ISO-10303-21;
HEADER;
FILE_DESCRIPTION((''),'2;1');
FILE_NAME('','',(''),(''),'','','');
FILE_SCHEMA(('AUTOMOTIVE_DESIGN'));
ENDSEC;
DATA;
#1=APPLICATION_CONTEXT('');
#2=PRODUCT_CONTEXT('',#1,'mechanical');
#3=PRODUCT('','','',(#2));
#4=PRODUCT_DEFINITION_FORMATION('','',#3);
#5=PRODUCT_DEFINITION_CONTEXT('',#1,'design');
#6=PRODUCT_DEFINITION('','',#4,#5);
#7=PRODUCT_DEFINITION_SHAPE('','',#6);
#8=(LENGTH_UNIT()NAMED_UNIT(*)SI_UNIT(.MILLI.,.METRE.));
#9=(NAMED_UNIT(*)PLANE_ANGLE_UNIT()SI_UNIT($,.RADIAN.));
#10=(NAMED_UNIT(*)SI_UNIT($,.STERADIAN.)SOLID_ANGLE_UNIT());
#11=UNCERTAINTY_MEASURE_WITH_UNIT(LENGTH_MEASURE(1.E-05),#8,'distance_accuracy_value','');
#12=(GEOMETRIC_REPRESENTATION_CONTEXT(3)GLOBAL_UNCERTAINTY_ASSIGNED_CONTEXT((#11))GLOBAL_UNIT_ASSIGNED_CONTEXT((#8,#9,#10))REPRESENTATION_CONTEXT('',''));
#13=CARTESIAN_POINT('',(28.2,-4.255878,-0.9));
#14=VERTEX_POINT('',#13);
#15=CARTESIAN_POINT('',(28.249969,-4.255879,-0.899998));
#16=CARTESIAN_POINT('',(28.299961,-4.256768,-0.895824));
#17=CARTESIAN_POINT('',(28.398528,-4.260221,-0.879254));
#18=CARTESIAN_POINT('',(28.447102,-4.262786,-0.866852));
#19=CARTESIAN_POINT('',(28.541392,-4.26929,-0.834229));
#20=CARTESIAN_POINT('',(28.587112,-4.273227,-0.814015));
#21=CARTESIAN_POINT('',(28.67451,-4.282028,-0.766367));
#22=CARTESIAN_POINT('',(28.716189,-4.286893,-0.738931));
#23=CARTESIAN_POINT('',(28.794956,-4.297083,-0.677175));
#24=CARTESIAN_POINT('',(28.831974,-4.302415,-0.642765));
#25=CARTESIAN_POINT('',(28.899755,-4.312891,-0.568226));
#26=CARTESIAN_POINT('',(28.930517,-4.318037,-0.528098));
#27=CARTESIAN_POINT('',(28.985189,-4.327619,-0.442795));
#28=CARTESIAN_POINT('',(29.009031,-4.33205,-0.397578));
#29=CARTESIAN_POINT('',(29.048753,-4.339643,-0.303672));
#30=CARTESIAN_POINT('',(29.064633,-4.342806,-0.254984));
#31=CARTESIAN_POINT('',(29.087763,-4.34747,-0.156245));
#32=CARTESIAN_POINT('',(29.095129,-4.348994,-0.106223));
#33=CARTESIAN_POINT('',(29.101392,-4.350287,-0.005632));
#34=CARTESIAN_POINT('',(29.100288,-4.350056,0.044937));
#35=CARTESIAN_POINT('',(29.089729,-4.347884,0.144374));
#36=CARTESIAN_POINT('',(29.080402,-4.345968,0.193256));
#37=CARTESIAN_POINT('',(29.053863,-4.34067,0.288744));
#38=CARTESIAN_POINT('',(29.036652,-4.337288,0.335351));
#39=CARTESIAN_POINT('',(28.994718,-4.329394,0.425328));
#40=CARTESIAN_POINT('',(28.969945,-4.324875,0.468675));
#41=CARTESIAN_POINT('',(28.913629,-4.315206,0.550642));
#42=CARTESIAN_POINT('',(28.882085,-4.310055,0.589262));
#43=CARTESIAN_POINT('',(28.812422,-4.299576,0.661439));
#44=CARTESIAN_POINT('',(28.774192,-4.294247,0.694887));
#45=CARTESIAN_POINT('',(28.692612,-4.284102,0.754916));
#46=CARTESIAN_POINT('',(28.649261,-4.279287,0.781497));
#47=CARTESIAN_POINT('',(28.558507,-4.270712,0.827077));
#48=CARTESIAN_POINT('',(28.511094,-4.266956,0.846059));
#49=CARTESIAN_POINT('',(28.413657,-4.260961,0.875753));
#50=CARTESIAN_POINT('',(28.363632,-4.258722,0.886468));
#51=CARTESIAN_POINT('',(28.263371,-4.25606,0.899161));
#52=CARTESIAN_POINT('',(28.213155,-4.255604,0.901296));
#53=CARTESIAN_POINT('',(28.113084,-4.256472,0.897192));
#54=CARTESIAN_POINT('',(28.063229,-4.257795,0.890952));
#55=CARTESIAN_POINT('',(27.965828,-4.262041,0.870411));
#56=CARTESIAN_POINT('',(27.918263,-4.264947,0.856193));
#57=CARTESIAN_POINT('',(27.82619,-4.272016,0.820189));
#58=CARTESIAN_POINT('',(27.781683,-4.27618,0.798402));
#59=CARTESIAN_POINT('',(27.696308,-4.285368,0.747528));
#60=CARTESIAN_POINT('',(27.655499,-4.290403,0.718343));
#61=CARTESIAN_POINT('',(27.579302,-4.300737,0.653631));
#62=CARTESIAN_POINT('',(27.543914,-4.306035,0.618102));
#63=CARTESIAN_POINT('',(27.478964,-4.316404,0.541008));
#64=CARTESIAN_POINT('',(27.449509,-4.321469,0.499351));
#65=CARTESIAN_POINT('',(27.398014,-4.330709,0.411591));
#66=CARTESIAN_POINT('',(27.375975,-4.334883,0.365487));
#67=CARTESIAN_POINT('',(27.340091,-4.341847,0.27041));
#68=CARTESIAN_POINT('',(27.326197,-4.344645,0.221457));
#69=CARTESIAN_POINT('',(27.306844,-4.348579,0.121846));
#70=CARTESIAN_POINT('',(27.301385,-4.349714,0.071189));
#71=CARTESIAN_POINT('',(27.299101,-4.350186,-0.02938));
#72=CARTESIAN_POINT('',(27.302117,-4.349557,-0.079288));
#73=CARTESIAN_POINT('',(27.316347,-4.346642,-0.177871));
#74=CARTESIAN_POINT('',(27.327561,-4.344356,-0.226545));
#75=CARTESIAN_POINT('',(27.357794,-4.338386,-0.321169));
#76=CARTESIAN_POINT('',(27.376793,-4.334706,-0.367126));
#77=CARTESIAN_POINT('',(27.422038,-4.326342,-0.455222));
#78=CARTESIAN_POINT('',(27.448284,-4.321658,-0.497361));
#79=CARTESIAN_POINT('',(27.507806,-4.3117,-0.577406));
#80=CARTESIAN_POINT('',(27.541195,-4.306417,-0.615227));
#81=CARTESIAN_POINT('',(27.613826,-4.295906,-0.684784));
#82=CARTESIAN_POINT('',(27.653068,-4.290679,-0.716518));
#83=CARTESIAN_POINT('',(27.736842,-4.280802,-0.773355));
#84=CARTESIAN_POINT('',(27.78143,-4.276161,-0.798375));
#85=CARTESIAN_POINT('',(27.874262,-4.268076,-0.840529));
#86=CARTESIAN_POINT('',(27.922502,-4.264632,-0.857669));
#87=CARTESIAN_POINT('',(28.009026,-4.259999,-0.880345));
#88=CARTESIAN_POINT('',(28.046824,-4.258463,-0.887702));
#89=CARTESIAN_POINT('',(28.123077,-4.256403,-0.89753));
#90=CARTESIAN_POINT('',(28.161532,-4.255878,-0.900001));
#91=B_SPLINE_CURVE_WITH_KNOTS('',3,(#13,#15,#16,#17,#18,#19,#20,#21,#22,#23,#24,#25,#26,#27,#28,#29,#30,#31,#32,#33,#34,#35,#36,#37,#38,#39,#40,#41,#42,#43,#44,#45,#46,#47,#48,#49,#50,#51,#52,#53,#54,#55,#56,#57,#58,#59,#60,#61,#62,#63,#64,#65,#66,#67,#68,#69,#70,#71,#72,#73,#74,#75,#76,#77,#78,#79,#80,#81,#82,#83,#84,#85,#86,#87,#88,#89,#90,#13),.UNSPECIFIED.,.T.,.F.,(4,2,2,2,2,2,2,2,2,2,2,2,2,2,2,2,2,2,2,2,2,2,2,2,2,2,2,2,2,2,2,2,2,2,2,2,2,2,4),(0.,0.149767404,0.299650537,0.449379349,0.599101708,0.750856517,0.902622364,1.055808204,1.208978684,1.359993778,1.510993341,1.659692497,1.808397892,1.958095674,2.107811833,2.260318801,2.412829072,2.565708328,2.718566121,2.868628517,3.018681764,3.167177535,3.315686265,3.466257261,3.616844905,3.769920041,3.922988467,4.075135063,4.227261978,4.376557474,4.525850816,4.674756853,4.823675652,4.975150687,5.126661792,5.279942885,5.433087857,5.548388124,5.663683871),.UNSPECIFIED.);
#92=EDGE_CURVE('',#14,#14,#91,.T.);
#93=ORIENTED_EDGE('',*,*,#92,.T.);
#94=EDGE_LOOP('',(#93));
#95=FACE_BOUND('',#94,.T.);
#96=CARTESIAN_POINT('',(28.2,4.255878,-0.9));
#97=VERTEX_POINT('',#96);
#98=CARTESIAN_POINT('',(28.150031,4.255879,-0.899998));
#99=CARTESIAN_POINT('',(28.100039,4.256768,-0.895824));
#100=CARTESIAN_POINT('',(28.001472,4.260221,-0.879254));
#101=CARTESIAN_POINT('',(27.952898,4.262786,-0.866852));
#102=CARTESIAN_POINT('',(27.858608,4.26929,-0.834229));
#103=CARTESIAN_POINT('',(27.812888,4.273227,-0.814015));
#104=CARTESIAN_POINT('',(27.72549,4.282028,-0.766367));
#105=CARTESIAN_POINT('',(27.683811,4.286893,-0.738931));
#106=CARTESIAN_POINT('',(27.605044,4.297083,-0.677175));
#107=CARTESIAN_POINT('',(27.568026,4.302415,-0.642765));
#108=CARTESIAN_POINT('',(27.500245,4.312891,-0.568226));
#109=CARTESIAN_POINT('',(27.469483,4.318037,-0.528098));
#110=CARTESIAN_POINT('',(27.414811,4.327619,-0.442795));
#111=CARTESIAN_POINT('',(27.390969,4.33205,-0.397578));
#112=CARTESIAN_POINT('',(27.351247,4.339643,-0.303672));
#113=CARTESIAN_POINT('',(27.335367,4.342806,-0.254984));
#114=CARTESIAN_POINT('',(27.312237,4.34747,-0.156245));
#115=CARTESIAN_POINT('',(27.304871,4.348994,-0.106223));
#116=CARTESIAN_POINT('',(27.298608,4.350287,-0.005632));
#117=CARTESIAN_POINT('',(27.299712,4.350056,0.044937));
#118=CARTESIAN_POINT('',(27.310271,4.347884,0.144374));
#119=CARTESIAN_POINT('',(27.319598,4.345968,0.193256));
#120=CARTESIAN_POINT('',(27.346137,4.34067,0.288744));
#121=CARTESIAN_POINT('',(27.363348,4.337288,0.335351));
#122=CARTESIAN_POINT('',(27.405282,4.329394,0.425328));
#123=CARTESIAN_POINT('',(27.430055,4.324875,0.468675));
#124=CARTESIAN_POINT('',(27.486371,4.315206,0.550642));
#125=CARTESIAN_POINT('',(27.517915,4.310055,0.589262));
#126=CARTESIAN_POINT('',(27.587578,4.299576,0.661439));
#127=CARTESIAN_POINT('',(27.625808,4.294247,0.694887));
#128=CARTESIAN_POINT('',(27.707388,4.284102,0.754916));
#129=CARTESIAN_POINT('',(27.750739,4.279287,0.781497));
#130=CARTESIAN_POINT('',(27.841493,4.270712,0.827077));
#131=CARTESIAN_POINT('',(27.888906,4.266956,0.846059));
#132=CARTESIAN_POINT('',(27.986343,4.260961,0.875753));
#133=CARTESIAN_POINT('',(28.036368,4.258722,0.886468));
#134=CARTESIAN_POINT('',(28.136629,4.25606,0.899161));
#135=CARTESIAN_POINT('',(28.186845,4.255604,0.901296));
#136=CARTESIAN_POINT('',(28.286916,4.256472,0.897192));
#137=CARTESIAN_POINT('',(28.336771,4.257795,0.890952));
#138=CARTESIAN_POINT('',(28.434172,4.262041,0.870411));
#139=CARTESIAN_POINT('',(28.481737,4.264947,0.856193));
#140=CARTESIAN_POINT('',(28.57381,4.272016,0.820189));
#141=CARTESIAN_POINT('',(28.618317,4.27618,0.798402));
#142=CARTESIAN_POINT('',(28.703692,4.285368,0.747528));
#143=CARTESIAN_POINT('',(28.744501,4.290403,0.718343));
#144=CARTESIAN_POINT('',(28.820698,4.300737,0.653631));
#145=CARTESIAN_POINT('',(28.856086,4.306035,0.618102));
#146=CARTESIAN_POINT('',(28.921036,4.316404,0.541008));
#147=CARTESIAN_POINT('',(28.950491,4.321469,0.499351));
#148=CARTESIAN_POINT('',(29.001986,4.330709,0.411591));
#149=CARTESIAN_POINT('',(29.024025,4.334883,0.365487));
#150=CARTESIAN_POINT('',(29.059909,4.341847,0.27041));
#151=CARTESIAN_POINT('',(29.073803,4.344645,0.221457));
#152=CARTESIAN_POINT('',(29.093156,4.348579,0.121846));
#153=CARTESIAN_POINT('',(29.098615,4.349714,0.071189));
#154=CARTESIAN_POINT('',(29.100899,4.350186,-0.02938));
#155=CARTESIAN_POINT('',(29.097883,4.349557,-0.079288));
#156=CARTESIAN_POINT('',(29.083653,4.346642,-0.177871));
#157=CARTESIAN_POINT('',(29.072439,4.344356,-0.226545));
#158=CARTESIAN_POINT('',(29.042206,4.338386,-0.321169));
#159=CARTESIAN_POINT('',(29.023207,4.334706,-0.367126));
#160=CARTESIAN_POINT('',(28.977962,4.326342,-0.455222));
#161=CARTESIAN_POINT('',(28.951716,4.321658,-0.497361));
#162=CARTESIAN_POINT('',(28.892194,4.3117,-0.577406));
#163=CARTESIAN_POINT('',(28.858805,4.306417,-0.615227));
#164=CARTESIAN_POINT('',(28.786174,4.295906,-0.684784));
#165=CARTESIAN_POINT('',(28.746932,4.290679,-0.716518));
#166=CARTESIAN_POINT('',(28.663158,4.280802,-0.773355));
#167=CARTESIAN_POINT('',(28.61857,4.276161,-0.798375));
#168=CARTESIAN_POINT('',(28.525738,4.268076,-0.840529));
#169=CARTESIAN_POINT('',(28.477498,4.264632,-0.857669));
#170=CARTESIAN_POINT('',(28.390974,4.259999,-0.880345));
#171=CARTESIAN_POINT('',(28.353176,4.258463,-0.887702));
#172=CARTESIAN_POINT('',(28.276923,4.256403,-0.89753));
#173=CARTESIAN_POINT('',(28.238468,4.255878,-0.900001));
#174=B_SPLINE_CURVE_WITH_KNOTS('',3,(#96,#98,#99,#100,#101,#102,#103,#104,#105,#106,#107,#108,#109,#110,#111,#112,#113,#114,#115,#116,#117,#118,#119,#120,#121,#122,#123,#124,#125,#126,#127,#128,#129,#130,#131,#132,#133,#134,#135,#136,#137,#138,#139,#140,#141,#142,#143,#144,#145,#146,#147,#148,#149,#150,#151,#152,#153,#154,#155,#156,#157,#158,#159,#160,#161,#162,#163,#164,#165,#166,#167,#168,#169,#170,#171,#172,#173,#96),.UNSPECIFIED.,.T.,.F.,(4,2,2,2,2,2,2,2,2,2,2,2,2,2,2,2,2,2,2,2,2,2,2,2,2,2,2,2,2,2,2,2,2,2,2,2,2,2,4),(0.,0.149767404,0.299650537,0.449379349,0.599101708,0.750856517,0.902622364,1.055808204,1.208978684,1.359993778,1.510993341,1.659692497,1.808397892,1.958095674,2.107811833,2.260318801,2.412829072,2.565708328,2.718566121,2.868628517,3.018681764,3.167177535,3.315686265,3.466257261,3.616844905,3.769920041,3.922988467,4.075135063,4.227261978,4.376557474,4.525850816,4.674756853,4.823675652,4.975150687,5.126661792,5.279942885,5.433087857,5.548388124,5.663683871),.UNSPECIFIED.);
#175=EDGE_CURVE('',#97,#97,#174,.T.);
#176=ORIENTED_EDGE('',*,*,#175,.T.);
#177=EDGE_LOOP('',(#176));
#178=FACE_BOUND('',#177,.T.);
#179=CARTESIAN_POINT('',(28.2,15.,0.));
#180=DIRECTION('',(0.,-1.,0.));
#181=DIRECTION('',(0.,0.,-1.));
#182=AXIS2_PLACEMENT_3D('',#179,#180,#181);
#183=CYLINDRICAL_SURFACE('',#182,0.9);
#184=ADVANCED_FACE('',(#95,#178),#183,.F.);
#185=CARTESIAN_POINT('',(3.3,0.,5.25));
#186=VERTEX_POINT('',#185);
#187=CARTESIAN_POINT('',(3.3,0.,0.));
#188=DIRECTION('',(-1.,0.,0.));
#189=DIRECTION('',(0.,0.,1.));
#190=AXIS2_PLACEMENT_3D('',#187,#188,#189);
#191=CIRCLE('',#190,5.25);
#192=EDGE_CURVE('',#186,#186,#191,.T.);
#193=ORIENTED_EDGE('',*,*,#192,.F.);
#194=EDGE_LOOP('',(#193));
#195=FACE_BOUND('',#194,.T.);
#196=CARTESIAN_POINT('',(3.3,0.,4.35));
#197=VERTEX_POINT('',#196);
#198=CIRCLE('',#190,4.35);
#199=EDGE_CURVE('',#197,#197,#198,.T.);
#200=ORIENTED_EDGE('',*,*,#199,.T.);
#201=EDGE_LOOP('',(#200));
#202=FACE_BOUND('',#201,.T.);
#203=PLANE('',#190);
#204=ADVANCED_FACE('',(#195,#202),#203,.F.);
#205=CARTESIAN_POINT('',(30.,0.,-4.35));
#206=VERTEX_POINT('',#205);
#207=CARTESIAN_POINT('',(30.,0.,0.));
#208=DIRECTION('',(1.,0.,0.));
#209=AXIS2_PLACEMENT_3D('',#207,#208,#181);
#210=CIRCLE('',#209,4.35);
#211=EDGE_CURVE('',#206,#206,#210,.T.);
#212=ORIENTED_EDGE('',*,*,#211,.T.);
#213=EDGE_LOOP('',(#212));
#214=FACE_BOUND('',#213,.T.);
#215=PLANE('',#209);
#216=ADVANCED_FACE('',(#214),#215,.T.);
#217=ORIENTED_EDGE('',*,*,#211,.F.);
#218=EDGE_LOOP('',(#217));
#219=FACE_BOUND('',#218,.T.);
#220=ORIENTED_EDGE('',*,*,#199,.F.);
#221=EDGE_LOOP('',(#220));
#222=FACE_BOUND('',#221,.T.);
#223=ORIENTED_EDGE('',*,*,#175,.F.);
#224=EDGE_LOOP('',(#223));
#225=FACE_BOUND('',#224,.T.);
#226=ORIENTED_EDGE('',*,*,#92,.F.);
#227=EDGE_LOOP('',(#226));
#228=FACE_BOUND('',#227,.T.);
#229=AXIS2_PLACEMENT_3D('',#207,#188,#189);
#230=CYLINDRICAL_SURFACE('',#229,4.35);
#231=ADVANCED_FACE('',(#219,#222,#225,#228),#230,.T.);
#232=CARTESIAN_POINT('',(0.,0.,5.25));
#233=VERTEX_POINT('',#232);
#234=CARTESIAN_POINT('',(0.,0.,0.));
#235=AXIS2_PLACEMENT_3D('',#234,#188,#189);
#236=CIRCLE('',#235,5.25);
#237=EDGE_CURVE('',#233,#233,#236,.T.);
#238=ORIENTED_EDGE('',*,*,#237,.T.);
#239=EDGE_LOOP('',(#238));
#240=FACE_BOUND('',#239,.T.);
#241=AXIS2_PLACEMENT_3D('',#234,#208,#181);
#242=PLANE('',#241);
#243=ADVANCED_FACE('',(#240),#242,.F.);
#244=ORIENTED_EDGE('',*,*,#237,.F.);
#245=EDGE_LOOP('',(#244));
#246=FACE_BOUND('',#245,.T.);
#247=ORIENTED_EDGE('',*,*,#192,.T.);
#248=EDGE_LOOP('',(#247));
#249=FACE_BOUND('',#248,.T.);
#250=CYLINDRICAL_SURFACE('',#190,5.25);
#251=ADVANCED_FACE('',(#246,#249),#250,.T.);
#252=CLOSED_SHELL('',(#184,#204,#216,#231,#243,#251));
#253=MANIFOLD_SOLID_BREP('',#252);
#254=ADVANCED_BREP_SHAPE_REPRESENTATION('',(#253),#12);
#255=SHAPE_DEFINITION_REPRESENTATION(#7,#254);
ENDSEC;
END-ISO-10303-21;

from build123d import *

# Parameters (mm, degrees)
SKETCH1_R               = 2.9
BOSS_EXTRUDE1_DEPTH     = 20
CUT_EXTRUDE1_DEPTH      = 10
CUT_EXTRUDE1_DEPTH_BACK = 10
SKETCH2_R               = 0.6
SKETCH3_R               = 3.5
BOSS_EXTRUDE2_DEPTH     = 2.2
SCALE1_SCALE            = 1.5


with BuildPart() as part:
    # Sketch1 → Boss-Extrude1 (new body)
    with BuildSketch(Plane(origin=(0, 0, 0), x_dir=(0, 0, -1), z_dir=(1, 0, 0))):
        Circle(SKETCH1_R)
    extrude(amount=BOSS_EXTRUDE1_DEPTH)

    # Sketch2 → Cut-Extrude1 (cut, two sides: drawn at the far end of the back side and taken through both)
    with BuildSketch(Plane(origin=(0, 0, 0), x_dir=(1, 0, 0), z_dir=(0, 1, 0)).offset(-CUT_EXTRUDE1_DEPTH_BACK)):
        with Locations((18.8, 0)):
            Circle(SKETCH2_R)
    extrude(amount=CUT_EXTRUDE1_DEPTH + CUT_EXTRUDE1_DEPTH_BACK, mode=Mode.SUBTRACT)

    # Sketch3 → Boss-Extrude2 (add)
    with BuildSketch(Plane.ZY):
        Circle(SKETCH3_R)
    extrude(amount=-BOSS_EXTRUDE2_DEPTH)


with BuildPart() as part_1:
    # Scale1: scaled about (0, 0, 0)
    add(part.part.scale(SCALE1_SCALE))


solid = part_1.part
